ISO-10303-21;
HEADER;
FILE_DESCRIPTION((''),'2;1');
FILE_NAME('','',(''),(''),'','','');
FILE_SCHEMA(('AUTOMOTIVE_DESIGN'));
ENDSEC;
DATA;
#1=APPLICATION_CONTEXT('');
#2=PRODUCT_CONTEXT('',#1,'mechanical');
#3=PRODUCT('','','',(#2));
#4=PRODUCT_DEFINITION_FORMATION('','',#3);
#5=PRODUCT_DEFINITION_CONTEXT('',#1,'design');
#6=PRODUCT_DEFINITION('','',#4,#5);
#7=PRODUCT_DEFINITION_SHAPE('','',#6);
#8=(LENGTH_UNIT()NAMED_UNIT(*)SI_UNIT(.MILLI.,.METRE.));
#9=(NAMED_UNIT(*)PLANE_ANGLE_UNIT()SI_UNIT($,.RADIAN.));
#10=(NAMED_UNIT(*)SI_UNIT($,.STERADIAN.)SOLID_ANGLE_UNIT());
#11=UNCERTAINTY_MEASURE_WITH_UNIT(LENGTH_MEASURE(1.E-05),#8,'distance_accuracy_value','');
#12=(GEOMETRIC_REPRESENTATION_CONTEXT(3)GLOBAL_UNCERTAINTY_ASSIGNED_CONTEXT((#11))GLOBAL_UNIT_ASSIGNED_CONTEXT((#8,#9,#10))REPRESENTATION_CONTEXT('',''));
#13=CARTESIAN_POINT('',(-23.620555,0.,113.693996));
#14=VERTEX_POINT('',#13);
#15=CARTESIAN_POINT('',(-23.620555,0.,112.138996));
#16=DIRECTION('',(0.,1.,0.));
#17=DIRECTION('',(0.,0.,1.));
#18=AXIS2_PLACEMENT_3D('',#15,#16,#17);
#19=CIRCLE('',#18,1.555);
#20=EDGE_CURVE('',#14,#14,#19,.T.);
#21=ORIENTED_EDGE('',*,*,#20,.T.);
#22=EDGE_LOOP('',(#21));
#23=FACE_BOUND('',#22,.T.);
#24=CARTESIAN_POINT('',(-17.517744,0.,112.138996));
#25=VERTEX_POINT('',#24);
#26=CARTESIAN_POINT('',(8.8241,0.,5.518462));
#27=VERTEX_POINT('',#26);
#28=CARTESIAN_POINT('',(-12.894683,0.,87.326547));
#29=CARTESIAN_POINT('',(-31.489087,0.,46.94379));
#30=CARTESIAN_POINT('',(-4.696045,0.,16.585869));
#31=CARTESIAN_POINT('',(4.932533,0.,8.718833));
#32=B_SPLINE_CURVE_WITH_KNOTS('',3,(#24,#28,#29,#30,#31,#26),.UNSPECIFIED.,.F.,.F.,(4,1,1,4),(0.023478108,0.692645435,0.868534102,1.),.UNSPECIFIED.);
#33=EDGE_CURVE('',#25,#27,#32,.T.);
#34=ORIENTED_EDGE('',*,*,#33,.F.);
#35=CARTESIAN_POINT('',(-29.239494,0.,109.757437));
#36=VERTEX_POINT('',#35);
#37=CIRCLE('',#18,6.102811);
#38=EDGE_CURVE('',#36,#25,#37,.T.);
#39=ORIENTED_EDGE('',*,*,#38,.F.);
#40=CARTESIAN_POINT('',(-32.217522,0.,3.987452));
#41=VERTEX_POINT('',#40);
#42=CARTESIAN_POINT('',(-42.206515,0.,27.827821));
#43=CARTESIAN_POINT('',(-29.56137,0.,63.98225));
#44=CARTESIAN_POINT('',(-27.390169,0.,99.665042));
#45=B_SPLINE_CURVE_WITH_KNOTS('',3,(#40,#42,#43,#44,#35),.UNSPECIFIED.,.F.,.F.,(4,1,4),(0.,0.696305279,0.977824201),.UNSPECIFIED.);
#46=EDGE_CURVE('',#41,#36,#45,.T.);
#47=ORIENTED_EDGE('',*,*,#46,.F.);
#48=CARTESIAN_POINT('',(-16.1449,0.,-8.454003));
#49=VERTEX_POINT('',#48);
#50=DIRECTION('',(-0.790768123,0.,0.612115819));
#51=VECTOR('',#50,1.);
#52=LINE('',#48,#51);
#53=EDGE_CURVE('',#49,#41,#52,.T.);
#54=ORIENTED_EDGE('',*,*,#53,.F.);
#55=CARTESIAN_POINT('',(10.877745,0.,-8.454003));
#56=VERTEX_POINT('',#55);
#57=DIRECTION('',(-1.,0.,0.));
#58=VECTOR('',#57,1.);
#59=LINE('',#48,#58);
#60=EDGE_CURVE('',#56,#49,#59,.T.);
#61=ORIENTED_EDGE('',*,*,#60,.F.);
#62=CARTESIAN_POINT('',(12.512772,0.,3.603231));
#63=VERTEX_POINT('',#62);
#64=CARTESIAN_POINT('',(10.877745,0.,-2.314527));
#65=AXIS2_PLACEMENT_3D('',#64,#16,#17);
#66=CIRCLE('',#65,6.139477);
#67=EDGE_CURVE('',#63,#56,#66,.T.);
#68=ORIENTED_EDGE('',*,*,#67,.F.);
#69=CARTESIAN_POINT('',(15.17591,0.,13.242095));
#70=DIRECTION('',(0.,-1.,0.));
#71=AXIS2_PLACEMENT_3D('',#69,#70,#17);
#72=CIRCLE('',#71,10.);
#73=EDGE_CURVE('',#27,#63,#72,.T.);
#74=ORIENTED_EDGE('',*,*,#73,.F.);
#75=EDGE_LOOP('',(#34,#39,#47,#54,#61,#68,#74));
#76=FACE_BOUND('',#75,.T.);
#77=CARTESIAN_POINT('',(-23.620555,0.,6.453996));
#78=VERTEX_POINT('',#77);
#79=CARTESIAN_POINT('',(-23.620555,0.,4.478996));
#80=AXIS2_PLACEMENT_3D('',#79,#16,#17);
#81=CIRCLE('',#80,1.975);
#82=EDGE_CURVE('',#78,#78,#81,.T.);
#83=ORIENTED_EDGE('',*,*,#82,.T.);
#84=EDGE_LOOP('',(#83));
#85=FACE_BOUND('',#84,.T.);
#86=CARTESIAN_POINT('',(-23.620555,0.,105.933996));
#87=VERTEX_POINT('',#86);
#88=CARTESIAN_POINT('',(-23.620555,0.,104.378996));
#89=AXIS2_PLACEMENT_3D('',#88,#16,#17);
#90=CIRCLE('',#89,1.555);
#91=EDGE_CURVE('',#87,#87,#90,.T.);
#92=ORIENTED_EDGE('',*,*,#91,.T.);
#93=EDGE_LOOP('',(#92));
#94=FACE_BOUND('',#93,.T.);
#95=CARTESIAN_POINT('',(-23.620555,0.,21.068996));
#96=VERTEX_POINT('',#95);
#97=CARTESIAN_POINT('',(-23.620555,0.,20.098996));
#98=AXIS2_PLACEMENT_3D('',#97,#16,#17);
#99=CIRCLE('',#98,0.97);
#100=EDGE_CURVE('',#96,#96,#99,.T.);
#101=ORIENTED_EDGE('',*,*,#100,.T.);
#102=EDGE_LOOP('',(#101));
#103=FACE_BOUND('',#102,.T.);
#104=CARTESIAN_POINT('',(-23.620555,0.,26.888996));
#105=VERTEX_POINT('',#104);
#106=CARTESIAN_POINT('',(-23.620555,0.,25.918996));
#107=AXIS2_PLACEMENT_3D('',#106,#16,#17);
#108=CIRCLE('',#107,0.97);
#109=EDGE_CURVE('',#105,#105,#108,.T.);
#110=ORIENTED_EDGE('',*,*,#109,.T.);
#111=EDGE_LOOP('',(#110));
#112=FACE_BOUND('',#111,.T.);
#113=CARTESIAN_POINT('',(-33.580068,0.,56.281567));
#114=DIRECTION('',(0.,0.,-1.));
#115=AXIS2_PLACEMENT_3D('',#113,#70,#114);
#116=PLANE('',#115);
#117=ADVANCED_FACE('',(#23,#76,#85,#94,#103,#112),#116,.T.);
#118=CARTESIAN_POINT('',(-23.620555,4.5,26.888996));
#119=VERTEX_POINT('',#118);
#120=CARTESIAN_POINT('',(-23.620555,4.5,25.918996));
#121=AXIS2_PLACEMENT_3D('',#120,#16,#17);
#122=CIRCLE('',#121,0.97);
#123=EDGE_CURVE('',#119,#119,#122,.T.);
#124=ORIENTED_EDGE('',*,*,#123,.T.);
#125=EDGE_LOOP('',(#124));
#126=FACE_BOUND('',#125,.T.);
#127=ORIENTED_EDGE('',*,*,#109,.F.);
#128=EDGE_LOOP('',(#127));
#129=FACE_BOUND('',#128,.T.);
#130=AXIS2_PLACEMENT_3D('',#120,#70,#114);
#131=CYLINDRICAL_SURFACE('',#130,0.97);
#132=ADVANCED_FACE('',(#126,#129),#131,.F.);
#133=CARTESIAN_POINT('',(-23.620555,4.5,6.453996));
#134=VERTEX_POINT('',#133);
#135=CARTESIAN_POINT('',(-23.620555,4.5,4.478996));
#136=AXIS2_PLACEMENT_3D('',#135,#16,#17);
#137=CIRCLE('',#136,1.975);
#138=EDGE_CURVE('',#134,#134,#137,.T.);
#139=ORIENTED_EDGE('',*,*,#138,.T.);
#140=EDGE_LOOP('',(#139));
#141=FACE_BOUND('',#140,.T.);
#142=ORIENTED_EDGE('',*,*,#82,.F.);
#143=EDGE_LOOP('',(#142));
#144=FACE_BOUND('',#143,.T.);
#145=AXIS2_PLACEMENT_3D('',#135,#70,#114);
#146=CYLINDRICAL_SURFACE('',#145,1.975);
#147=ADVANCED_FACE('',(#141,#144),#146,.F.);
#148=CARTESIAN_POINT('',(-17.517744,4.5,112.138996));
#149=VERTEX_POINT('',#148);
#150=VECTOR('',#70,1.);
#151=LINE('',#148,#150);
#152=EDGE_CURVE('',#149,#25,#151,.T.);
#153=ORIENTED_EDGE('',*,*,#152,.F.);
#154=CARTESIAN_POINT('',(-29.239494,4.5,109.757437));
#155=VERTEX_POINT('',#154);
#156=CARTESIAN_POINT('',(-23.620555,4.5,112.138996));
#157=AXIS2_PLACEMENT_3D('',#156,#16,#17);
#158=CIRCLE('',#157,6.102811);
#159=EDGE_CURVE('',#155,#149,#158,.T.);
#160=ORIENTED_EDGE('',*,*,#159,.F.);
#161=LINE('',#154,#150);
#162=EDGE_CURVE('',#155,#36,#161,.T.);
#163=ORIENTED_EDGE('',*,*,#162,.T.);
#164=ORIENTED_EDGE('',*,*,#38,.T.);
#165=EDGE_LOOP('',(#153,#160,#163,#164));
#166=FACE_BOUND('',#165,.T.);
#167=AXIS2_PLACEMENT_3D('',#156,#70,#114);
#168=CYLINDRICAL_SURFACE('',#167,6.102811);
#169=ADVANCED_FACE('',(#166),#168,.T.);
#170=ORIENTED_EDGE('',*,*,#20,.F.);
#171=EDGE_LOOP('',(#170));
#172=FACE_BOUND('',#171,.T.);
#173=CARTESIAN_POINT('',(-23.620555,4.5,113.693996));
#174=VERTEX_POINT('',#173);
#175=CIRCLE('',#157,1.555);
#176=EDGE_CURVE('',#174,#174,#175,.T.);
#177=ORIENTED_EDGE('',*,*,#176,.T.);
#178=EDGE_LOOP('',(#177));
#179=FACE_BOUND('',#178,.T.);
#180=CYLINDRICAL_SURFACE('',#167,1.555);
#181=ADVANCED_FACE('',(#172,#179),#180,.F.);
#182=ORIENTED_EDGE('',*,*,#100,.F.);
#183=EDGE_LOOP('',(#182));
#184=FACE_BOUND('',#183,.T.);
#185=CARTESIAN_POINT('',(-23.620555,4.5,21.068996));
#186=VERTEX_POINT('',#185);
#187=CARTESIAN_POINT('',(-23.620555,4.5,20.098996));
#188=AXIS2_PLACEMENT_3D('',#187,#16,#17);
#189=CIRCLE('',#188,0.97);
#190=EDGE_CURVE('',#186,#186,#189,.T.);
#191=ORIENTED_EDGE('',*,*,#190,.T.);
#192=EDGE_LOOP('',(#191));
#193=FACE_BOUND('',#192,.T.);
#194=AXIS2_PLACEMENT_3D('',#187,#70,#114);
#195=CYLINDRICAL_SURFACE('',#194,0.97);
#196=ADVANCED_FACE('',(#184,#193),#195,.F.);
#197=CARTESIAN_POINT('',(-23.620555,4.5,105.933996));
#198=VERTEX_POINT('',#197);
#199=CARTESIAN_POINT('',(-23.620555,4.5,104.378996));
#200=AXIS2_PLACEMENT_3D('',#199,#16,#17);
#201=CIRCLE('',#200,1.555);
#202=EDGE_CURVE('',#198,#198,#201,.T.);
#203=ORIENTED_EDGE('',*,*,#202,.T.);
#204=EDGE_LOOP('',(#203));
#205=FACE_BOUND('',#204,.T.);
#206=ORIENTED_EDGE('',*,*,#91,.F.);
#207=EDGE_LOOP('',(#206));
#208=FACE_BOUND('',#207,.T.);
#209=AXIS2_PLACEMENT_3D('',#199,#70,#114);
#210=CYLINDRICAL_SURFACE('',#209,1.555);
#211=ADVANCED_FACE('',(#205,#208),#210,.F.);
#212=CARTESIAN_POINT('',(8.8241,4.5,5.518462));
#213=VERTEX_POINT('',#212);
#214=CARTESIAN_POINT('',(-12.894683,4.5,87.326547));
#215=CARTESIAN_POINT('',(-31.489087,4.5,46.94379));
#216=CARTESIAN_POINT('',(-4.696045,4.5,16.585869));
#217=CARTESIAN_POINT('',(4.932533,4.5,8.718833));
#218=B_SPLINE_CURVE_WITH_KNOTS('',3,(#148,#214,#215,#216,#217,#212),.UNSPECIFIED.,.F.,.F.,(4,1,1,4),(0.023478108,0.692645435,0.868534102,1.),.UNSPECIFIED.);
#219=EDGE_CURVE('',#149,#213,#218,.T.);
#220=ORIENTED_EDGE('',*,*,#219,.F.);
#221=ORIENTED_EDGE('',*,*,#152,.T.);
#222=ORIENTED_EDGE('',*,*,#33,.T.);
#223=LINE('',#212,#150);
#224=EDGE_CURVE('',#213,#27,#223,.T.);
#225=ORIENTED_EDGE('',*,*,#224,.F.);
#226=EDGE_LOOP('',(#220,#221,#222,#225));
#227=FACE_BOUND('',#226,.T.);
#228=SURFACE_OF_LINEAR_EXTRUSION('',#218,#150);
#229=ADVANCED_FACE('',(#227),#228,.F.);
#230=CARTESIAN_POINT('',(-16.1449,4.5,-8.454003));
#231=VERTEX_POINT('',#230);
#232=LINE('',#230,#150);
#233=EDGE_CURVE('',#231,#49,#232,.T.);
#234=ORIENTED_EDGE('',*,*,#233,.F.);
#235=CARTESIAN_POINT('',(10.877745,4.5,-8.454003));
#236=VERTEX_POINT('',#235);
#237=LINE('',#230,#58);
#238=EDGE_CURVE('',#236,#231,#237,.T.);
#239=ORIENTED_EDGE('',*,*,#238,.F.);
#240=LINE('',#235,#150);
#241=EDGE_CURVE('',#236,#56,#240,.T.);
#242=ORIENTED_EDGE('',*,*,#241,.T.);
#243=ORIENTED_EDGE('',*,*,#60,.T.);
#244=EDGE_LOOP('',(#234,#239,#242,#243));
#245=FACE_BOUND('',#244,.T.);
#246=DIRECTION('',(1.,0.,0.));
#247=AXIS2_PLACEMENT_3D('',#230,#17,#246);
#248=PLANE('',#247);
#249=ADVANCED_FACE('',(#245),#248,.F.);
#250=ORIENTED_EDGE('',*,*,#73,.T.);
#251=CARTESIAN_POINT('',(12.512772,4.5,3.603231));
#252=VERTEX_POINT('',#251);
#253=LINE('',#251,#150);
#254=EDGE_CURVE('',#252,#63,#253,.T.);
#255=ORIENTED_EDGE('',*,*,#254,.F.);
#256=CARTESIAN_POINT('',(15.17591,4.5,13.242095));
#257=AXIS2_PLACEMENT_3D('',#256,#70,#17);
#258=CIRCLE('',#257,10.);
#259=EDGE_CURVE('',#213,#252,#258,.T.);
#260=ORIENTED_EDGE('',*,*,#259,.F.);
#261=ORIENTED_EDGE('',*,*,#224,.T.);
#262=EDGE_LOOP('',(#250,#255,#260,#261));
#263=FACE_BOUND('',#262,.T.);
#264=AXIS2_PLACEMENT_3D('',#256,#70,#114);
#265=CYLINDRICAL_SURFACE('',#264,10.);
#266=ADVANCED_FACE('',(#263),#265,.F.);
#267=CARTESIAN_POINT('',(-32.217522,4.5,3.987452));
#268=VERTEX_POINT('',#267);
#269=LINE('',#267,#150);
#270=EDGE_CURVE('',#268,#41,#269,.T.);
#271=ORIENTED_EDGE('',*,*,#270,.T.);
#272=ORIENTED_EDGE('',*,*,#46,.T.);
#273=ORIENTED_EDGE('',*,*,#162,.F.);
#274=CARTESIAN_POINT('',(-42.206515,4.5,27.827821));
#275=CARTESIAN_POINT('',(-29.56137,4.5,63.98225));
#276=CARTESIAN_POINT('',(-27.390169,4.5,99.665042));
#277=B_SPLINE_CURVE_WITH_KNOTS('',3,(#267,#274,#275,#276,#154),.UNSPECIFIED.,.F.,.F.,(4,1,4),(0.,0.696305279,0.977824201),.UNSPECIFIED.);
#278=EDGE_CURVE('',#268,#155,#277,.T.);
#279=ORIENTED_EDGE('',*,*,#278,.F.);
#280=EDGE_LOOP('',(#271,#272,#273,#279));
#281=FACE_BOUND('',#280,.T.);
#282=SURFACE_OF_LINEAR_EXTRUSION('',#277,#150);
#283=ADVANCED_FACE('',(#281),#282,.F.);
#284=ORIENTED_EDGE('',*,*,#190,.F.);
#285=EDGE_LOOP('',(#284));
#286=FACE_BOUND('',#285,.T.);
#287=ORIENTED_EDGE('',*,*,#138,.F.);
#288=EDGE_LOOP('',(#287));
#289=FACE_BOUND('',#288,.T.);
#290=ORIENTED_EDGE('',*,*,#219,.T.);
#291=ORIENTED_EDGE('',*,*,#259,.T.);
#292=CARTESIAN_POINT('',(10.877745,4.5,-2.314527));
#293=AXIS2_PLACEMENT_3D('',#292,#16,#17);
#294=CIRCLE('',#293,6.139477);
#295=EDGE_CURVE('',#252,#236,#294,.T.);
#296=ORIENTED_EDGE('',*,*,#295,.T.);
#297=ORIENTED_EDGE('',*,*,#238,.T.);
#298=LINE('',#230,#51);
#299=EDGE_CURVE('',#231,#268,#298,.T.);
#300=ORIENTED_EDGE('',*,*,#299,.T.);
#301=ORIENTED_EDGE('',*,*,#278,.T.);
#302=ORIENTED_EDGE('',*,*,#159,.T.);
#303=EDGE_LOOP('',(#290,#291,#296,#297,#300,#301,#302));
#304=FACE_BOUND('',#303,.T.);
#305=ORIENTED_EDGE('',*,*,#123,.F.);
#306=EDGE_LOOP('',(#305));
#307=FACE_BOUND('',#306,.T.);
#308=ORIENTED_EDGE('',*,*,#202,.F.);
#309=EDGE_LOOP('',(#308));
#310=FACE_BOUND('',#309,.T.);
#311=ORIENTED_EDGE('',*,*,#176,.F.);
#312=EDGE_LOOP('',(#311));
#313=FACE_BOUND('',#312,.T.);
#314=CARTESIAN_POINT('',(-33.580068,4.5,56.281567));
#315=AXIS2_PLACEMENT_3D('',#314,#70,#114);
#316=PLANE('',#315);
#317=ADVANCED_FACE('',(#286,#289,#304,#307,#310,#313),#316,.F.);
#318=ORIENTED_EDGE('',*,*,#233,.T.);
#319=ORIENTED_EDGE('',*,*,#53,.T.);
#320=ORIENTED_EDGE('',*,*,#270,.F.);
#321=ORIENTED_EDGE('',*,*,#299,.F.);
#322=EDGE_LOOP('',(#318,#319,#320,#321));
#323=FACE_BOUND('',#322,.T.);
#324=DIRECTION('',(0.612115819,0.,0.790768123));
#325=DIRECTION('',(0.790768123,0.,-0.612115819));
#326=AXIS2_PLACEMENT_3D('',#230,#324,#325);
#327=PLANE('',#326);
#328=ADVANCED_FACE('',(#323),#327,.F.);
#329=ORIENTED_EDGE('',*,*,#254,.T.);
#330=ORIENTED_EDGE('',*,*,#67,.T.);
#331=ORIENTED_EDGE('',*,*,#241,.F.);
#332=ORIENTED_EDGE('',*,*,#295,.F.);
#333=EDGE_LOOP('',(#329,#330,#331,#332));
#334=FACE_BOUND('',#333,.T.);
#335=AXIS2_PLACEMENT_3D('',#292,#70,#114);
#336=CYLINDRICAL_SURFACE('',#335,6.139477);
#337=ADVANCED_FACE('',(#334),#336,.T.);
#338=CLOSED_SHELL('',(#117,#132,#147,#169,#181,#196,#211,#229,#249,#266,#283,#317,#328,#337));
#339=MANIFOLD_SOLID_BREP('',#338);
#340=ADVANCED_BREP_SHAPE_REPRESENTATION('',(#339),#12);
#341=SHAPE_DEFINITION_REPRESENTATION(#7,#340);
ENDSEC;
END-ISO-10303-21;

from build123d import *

# Parameters (mm, degrees)
SKETCH1_R           = 1.975
SKETCH1_R_2         = 1.554999938
SKETCH1_R_3         = 0.97
BOSS_EXTRUDE1_DEPTH = 4.5


with BuildPart() as part:
    # Sketch1 → Boss-Extrude1 (new body)
    with BuildSketch(Plane(origin=(0, 0, 0), x_dir=(1, 0, 0), z_dir=(0, 1, 0))):
        with BuildLine():
            Line((-16.144899663, 8.454003274), (10.877745108, 8.454003274))
            ThreePointArc((10.877745108, 8.454003274), (16.961539544, 3.139522495), (12.51277209, -3.603231306))
            ThreePointArc((12.51277209, -3.603231306), (10.56783567, -4.367093581), (8.824099884, -5.518461795))
            add(Edge.make_bspline(
                [(8.824099884, -5.518461795), (4.932532744, -8.718832913), (-4.696045283, -16.58586855), (-31.489086781, -46.943790059), (-12.894682963, -87.326546642), (-17.517744483, -112.138995974)],
                knots=[0.023478108, 0.023478108, 0.023478108, 0.023478108, 0.154944007, 0.330832674, 1, 1, 1, 1], degree=3))
            ThreePointArc((-17.517744483, -112.138995974), (-24.835663445, -118.119615453), (-29.239494185, -109.757437382))
            add(Edge.make_bspline(
                [(-32.217521916, -3.987452131), (-42.206514906, -27.827820505), (-29.561370115, -63.982250345), (-27.390169054, -99.665041987), (-29.239494185, -109.757437382)],
                knots=[0, 0, 0, 0, 0.696305279, 0.977824201, 0.977824201, 0.977824201, 0.977824201], degree=3))
            Line((-32.217521916, -3.987452131), (-16.144899663, 8.454003274))
        make_face()
        with Locations(Location((-23.620555115, -4.478995902, 0), (0, 0, 270))):
            Circle(SKETCH1_R, mode=Mode.SUBTRACT)
        with Locations(Location((-23.620555115, -112.138995974, 0), (0, 0, 270))):
            Circle(SKETCH1_R_2, mode=Mode.SUBTRACT)
        with Locations(Location((-23.620555115, -104.378996, 0), (0, 0, 270))):
            Circle(SKETCH1_R_2, mode=Mode.SUBTRACT)
        with Locations(Location((-23.620555115, -25.918995902, 0), (0, 0, 270))):
            Circle(SKETCH1_R_3, mode=Mode.SUBTRACT)
        with Locations(Location((-23.620555115, -20.098995902, 0), (0, 0, 270))):
            Circle(SKETCH1_R_3, mode=Mode.SUBTRACT)
    extrude(amount=BOSS_EXTRUDE1_DEPTH)


solid = part.part
